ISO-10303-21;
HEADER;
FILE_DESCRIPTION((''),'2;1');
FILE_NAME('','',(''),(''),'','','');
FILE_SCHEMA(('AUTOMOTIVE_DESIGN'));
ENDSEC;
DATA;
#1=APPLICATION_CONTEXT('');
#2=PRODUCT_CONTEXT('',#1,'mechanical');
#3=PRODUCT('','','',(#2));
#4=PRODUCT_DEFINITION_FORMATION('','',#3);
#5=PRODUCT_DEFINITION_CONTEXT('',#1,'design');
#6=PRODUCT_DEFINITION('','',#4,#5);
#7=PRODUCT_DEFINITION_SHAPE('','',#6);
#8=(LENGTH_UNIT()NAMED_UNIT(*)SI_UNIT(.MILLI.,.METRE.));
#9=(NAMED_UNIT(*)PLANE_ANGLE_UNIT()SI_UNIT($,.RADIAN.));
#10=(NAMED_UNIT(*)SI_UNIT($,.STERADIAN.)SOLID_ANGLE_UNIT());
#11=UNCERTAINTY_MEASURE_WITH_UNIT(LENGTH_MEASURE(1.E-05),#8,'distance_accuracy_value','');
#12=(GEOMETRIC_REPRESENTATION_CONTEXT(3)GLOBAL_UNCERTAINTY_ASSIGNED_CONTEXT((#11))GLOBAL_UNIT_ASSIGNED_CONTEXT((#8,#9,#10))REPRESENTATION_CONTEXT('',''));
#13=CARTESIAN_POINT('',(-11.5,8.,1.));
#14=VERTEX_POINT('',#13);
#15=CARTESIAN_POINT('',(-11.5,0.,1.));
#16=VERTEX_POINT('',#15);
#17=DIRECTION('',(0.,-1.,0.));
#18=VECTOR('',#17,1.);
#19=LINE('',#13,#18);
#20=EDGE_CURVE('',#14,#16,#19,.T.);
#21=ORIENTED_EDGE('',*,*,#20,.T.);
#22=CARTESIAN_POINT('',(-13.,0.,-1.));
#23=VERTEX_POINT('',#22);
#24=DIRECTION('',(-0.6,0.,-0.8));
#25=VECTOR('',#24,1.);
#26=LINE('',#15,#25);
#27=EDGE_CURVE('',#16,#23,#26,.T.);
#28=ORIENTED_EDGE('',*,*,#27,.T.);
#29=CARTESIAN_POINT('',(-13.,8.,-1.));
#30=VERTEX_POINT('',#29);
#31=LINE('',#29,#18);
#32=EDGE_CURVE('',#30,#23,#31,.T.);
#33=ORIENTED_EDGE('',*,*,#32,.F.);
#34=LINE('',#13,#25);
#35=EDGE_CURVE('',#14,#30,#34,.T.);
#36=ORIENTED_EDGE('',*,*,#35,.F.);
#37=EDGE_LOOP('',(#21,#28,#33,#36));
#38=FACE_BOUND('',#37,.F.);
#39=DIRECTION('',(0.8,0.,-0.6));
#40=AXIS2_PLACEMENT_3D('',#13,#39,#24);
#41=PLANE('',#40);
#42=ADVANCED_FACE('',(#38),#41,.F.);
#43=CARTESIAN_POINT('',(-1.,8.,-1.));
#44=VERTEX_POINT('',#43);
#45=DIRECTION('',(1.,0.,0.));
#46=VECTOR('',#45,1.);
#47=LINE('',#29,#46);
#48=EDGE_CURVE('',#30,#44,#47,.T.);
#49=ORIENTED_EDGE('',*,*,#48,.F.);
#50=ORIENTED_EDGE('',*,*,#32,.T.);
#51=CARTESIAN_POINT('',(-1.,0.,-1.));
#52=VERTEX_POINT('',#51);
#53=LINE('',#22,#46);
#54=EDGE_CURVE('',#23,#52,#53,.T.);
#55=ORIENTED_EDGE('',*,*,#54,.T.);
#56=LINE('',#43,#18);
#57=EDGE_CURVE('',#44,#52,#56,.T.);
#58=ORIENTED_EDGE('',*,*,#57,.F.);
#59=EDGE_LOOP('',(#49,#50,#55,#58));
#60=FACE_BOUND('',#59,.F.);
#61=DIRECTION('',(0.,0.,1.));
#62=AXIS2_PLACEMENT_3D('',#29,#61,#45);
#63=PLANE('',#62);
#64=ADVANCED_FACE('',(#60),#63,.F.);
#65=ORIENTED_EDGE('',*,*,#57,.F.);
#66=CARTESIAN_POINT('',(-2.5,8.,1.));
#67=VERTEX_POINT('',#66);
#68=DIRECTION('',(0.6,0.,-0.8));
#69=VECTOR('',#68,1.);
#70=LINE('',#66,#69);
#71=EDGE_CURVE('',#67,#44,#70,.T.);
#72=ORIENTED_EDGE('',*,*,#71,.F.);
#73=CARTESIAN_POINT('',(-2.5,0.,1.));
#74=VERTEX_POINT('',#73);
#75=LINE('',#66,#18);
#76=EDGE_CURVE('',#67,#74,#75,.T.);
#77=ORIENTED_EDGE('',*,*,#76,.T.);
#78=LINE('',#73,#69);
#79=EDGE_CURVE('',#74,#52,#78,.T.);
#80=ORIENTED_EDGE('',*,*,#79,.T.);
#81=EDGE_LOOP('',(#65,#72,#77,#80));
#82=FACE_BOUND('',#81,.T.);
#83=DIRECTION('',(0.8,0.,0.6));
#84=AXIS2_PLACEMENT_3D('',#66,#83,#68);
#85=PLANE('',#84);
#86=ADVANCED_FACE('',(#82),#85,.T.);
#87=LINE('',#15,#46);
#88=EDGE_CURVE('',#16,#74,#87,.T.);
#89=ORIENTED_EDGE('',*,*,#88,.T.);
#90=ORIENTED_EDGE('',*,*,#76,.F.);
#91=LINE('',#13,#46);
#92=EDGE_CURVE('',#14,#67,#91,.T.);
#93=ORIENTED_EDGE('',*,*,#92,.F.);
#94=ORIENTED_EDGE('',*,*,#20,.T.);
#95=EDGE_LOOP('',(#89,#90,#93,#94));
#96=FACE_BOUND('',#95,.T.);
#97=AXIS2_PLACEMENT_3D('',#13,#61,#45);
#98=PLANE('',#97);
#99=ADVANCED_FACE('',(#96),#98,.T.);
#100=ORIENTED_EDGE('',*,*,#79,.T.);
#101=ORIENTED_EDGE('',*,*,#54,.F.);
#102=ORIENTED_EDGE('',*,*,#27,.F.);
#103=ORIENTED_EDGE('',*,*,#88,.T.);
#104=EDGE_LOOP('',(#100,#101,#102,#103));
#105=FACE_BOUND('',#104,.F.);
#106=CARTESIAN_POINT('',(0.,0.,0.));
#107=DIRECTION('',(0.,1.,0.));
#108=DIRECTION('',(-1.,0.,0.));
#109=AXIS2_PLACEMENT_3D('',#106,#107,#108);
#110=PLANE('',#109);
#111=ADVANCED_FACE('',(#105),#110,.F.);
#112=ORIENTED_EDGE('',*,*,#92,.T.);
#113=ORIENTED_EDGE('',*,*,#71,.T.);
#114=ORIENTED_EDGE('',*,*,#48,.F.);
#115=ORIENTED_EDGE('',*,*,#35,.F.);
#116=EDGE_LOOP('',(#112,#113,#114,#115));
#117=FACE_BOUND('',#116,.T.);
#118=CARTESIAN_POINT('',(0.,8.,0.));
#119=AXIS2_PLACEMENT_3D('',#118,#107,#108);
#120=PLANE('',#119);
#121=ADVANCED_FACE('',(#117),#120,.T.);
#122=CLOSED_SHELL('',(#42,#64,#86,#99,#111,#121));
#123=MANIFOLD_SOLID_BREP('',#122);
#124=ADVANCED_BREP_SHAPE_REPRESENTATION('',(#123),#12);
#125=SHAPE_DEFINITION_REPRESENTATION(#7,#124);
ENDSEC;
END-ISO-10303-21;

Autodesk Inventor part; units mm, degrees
ref_plane "YZ Plane" through (0, 0, 0) normal (1, 0, 0) x (0, 1, 0)
ref_plane "XZ Plane" through (0, 0, 0) normal (0, 1, 0) x (-1, 0, 0)
ref_plane "XY Plane" through (0, 0, 0) normal (0, 0, 1) x (1, 0, 0)
sketch "Sketch1" plane through (0, 0, 0) normal (0, 1, 0) x (-1, 0, 0)
  line L0 (0, 0) -> (14, 0)
  line L1 (14, 0) -> (14, -2)
  line L2 (14, -2) -> (0, -2)
  line L3 (0, -2) -> (0, 0)
  line L4 (14, -1) -> (13, -1)
  line L5 (7, -2) -> (7, -1)
  circle A0 centre (13, -1) radius 0.5
  circle A1 centre (1, -1) radius 0.5
  dimension "d0" = 14
  dimension "d1" = 2
  dimension "d2" = 1
  dimension "d3" = 1
extrude "Extrusion1" add sketch "Sketch1" along normal blind 8
sketch "Sketch2" plane through (0, 8, 0) normal (0, 1, 0) x (1, 0, 0)
  circle A0 centre (-13, 1) radius 0.5 projected
  line L0 (-13, 1) -> (-11.5, 1)
  line L1 (-11.5, 1) -> (-11.5, 2)
  line L2 (0, 2) -> (-14, 2) projected
  line L3 (-11.5, 1) -> (-11.5, 0)
  line L4 (-14, 0) -> (0, 0) projected
  line L5 (-7, 2) -> (-7, 5.1392)
  line L6 (-13, 1) -> (-11.5, 2)
  line L7 (-13, 1) -> (-11.5, 0)
  circle A1 centre (-1, 1) radius 0.5
  line L8 (-1, 1) -> (-2.5, 1)
  line L9 (-2.5, 1) -> (-2.5, 2)
  line L10 (-14, 2) -> (0, 2)
  line L11 (-2.5, 1) -> (-2.5, 0)
  line L12 (0, 0) -> (-14, 0)
  line L13 (-1, 1) -> (-2.5, 2)
  line L14 (-1, 1) -> (-2.5, 0)
  line L15 (-11.5, 0) -> (-14, 0)
  line L16 (-14, 0) -> (-14, 2)
  line L17 (-14, 2) -> (-11.5, 2)
  line L18 (-11.5, 2) -> (-11.5, 0)
  line L19 (0, 0) -> (0, 2) projected
  line L20 (0, 0) -> (-2.5, 0)
  line L21 (-2.5, 0) -> (-2.5, 2)
  line L22 (-2.5, 2) -> (0, 2)
  line L23 (0, 2) -> (0, 0)
  point P0 (-12.584, 0.7226)
  point P1 (-12.584, 1.2774)
  point P2 (-1.416, 1.2774)
  point P3 (-1.416, 0.7226)
  dimension "d6" = 1.5
extrude "Extrusion2" add sketch "Sketch2" against normal blind 8 contours L0 L6 A0 | L0 L3 L7 A0 | A0 L7 L0 | A0 L6 L1 L0 | L11 L8 A1 L14 | L13 A1 L8 L9 | A1 L8 L14 | L13 L8 A1
extrude "Extrusion3" cut sketch "Sketch2" against normal blind 8 contours A0 L7 L4 L16 L2 L6 | L14 A1 L13 L2 L19 L4
sketch "Sketch3" plane through (0, 8, 0) normal (0, 1, 0) x (1, 0, 0)
  line L0 (-11.5, 2) -> (-13, 1) projected
  line L1 (-1, 1) -> (-2.5, 2) projected
  line L2 (-13, 1) -> (-1, 1)
  line L3 (-13, 1) -> (-11.5, 0) projected
  line L4 (-13, 1) -> (-0.4084, 1)
  line L5 (-0.4084, 1) -> (-0.4084, 3.5124)
  line L6 (-0.4084, 3.5124) -> (-13, 3.5124)
  line L7 (-13, 3.5124) -> (-13, 1)
  point P0 (0, 0)
extrude "Extrusion4" cut sketch "Sketch3" against normal blind 8
sketch "Sketch4" plane through (0, 8, 0) normal (0, 1, 0) x (1, 0, 0)
  line L0 (-11.5, 0) -> (-11.5, -1)
  line L1 (-11.5, 0) -> (-13, 1) projected
  line L2 (-11.5, -1) -> (-13, 1)
  line L3 (-11.5, 0) -> (-2.5, 0) projected
  line L4 (-13, 1) -> (-11.5, 0)
  line L5 (-1, 1) -> (-13, 1) projected
  line L6 (-7, 1) -> (-7, 2.0592)
  line L7 (-2.5, 0) -> (-2.5, -1)
  line L8 (-2.5, 0) -> (-1, 1)
  line L9 (-2.5, -1) -> (-1, 1)
  line L10 (-1, 1) -> (-2.5, 0)
  line L11 (-11.5, -1) -> (-2.5, -1)
  line L12 (-11.5, 0) -> (-2.5, 0)
  point P0 (0, 0)
  dimension "d13" = 1
extrude "Extrusion5" add sketch "Sketch4" against normal blind 8 contours L3 L7 L11 L0 | L0 L2 L1 | L8 L9 L7
properties part number "link_v2"
